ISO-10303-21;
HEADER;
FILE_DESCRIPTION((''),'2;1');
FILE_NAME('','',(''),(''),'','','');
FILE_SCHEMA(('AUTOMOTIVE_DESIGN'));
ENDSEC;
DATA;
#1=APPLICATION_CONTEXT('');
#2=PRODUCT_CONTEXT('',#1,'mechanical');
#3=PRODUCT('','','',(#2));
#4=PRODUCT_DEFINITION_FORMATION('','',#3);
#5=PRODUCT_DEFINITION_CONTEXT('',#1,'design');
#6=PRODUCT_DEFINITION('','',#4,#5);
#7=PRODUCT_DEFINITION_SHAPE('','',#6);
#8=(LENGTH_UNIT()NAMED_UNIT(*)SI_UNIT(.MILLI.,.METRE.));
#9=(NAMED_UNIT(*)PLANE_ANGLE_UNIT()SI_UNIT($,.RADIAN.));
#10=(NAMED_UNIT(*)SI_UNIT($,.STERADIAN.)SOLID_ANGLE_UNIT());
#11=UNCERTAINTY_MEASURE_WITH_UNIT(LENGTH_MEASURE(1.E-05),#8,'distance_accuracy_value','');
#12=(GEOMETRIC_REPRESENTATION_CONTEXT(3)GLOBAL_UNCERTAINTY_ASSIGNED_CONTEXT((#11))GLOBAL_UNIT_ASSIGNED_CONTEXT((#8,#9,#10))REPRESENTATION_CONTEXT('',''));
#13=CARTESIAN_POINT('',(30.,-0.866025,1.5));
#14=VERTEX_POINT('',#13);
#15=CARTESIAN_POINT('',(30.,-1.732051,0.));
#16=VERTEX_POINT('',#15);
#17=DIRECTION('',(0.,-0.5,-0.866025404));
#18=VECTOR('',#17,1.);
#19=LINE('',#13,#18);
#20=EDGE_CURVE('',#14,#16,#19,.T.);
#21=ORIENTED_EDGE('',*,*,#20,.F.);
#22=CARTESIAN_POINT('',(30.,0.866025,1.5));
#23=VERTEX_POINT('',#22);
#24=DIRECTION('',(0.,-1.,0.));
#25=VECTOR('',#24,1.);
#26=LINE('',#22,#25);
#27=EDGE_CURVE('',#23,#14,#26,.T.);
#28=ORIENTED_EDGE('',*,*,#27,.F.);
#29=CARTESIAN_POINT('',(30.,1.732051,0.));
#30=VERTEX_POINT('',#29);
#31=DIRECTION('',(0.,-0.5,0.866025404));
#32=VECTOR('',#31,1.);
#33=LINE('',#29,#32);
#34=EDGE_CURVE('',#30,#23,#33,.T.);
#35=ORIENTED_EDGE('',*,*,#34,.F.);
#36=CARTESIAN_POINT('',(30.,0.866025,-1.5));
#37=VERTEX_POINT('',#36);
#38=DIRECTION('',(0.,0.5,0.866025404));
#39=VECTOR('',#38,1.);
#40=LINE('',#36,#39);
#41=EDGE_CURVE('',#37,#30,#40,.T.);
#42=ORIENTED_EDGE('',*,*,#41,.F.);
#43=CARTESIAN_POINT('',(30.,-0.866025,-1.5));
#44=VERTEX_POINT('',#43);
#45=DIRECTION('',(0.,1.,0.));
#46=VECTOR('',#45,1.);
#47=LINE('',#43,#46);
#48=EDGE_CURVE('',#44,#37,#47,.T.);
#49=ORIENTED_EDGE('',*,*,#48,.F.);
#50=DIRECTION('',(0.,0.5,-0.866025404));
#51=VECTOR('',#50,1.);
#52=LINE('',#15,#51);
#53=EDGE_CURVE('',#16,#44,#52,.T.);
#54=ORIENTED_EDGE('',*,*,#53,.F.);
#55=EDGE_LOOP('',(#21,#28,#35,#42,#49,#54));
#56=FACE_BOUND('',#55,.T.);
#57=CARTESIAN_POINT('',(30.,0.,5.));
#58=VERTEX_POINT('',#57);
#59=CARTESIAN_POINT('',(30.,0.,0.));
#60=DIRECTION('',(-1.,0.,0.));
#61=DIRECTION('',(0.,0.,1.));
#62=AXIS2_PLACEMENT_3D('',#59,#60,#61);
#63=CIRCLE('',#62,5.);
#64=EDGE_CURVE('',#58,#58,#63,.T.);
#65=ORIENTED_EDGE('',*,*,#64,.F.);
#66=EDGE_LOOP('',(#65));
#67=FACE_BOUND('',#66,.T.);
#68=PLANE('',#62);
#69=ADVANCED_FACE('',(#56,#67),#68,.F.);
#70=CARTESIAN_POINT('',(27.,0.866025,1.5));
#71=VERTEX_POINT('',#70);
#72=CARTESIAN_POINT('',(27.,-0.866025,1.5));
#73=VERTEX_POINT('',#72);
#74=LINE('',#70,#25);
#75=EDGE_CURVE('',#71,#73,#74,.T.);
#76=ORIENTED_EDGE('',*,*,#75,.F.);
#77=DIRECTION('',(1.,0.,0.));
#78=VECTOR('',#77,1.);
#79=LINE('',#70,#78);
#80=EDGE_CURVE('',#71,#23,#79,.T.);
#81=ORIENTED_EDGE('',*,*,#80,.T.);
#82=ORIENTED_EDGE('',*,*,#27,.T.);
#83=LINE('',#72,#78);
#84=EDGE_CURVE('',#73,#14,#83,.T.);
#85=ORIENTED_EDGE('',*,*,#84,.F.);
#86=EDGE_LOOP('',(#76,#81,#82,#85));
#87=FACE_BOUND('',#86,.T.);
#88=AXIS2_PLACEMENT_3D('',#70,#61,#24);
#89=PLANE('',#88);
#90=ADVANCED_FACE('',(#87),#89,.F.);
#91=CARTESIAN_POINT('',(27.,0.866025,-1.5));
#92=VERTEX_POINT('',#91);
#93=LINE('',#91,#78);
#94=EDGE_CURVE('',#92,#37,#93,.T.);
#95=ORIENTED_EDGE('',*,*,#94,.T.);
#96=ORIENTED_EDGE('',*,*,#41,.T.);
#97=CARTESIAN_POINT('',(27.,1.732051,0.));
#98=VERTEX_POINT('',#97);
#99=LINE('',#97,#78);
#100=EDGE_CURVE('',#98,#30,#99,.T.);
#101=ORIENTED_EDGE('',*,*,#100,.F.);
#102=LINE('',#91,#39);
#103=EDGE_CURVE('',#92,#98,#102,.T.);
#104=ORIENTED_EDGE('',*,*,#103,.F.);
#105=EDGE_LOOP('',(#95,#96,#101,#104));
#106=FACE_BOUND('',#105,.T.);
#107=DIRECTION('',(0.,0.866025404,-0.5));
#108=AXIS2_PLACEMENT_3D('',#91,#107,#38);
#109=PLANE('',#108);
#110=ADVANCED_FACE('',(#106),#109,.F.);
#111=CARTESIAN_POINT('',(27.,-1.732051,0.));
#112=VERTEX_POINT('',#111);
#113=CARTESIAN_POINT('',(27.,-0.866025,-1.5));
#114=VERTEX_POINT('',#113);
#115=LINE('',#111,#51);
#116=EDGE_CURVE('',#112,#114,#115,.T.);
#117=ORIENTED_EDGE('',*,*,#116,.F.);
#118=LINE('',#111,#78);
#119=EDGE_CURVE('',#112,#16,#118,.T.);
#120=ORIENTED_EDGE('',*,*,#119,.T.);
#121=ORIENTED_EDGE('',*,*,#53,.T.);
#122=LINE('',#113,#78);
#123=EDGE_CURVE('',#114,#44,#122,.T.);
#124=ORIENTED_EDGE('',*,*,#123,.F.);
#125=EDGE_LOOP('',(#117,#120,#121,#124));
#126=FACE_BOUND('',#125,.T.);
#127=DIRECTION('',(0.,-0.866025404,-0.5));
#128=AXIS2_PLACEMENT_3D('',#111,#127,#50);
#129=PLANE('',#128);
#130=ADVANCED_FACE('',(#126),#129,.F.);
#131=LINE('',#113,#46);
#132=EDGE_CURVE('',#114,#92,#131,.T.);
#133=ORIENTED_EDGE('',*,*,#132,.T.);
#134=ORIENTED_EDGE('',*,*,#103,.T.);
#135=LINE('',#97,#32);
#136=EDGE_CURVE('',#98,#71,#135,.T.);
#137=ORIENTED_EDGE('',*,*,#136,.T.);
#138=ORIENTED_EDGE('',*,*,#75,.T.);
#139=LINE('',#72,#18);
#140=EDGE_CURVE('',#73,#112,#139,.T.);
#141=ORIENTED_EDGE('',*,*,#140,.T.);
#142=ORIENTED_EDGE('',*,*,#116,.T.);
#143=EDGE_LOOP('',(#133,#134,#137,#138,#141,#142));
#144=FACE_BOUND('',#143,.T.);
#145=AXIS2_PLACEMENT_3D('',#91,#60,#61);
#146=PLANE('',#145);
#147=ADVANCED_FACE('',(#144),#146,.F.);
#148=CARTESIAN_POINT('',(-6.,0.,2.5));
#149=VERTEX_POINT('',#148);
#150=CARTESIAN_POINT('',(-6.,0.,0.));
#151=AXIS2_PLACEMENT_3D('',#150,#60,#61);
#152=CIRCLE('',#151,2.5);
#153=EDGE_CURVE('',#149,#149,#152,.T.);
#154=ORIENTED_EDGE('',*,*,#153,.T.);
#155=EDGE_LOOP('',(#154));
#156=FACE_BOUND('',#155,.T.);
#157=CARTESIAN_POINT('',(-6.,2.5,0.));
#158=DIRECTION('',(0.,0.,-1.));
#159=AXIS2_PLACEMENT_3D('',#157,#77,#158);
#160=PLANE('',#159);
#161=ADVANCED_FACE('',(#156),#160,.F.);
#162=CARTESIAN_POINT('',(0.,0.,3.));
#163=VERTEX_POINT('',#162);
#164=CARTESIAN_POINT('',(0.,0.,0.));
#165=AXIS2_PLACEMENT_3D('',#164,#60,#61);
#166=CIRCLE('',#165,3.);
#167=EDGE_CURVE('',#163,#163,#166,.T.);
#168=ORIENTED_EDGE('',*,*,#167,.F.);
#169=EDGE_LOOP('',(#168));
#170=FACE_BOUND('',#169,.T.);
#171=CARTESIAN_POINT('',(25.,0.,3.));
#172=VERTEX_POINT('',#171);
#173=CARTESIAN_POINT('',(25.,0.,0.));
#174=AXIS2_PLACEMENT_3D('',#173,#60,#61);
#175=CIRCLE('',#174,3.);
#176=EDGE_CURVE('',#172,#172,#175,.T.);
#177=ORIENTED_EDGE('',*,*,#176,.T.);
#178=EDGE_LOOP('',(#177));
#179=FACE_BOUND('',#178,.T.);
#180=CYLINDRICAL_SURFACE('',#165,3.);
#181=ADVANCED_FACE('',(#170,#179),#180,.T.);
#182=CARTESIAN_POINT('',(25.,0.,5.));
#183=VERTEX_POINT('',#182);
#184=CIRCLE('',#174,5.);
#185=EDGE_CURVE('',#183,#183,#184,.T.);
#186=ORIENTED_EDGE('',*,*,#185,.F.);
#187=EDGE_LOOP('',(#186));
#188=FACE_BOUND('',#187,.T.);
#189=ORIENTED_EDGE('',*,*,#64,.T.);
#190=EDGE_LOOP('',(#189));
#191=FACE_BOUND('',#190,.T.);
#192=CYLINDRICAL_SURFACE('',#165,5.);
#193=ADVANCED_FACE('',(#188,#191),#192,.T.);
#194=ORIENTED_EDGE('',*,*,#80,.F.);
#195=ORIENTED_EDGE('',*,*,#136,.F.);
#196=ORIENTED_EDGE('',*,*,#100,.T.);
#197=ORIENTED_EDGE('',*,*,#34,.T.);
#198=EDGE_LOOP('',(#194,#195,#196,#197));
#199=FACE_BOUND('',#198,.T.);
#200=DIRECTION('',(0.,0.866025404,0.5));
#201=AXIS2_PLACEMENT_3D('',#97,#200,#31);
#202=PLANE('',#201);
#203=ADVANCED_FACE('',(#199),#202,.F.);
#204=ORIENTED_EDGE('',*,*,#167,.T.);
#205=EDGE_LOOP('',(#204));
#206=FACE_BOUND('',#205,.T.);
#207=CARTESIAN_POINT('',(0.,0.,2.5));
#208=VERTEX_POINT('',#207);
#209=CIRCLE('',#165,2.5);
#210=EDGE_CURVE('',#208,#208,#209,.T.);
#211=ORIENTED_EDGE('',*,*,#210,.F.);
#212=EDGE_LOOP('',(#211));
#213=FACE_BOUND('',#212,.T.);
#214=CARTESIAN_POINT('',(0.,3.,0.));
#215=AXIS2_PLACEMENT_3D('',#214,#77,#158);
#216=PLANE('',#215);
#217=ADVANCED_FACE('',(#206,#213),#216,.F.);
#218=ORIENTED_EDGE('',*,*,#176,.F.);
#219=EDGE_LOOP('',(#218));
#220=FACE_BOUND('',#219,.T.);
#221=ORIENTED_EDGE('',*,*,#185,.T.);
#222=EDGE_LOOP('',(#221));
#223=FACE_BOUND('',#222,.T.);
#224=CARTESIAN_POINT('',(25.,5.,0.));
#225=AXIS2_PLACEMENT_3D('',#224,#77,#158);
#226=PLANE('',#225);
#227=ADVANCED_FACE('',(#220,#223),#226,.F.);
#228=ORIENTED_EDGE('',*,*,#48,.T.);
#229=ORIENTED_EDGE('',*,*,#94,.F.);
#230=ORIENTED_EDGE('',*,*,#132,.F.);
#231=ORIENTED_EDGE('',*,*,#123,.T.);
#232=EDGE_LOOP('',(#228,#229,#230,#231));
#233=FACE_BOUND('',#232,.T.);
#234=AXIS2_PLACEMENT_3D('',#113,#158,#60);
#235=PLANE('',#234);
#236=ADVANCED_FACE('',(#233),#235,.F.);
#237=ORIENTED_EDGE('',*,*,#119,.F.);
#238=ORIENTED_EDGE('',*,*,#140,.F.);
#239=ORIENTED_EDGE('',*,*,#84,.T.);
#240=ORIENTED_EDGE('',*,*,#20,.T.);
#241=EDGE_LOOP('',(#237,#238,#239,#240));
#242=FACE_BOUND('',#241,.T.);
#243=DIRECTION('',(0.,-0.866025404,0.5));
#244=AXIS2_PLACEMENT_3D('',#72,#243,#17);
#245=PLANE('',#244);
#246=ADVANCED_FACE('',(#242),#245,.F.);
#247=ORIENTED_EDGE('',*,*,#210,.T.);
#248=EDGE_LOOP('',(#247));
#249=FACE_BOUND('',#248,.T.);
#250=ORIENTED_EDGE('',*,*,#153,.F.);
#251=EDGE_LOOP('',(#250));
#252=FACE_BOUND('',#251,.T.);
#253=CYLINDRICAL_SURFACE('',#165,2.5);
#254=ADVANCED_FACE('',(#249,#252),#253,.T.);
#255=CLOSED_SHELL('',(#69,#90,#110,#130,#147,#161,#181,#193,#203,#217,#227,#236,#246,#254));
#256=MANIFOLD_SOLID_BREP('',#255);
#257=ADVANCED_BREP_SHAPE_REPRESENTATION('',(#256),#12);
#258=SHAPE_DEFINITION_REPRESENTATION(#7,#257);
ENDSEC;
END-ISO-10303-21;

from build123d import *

# Parameters (mm, degrees)
CUT_EXTRUDE1_DEPTH = 3


with BuildPart() as part:
    # Sketch1 → Revolve1 (revolve)
    with BuildSketch(Plane.XY, mode=Mode.PRIVATE) as revolve1_sk:
        Polygon((30, 0), (30, 5), (25, 5), (25, 3), (0, 3), (0, 2.5), (-6, 2.5), (-6, 0), align=None)
    revolve(revolve1_sk.sketch.rotate(Axis((0, 0, 0), (1, 0, 0)), 90), axis=Axis((0, 0, 0), (1, 0, 0)))

    # Sketch2 → Cut-Extrude1 (cut)
    with BuildSketch(Plane(origin=(30, 0, 0), x_dir=(0, 0, -1), z_dir=(1, 0, 0))):
        Polygon((0, 1.732050808), (-1.5, 0.866025404), (-1.5, -0.866025404), (0, -1.732050808), (1.5, -0.866025404), (1.5, 0.866025404), align=None)
    extrude(amount=-CUT_EXTRUDE1_DEPTH, mode=Mode.SUBTRACT)


solid = part.part
